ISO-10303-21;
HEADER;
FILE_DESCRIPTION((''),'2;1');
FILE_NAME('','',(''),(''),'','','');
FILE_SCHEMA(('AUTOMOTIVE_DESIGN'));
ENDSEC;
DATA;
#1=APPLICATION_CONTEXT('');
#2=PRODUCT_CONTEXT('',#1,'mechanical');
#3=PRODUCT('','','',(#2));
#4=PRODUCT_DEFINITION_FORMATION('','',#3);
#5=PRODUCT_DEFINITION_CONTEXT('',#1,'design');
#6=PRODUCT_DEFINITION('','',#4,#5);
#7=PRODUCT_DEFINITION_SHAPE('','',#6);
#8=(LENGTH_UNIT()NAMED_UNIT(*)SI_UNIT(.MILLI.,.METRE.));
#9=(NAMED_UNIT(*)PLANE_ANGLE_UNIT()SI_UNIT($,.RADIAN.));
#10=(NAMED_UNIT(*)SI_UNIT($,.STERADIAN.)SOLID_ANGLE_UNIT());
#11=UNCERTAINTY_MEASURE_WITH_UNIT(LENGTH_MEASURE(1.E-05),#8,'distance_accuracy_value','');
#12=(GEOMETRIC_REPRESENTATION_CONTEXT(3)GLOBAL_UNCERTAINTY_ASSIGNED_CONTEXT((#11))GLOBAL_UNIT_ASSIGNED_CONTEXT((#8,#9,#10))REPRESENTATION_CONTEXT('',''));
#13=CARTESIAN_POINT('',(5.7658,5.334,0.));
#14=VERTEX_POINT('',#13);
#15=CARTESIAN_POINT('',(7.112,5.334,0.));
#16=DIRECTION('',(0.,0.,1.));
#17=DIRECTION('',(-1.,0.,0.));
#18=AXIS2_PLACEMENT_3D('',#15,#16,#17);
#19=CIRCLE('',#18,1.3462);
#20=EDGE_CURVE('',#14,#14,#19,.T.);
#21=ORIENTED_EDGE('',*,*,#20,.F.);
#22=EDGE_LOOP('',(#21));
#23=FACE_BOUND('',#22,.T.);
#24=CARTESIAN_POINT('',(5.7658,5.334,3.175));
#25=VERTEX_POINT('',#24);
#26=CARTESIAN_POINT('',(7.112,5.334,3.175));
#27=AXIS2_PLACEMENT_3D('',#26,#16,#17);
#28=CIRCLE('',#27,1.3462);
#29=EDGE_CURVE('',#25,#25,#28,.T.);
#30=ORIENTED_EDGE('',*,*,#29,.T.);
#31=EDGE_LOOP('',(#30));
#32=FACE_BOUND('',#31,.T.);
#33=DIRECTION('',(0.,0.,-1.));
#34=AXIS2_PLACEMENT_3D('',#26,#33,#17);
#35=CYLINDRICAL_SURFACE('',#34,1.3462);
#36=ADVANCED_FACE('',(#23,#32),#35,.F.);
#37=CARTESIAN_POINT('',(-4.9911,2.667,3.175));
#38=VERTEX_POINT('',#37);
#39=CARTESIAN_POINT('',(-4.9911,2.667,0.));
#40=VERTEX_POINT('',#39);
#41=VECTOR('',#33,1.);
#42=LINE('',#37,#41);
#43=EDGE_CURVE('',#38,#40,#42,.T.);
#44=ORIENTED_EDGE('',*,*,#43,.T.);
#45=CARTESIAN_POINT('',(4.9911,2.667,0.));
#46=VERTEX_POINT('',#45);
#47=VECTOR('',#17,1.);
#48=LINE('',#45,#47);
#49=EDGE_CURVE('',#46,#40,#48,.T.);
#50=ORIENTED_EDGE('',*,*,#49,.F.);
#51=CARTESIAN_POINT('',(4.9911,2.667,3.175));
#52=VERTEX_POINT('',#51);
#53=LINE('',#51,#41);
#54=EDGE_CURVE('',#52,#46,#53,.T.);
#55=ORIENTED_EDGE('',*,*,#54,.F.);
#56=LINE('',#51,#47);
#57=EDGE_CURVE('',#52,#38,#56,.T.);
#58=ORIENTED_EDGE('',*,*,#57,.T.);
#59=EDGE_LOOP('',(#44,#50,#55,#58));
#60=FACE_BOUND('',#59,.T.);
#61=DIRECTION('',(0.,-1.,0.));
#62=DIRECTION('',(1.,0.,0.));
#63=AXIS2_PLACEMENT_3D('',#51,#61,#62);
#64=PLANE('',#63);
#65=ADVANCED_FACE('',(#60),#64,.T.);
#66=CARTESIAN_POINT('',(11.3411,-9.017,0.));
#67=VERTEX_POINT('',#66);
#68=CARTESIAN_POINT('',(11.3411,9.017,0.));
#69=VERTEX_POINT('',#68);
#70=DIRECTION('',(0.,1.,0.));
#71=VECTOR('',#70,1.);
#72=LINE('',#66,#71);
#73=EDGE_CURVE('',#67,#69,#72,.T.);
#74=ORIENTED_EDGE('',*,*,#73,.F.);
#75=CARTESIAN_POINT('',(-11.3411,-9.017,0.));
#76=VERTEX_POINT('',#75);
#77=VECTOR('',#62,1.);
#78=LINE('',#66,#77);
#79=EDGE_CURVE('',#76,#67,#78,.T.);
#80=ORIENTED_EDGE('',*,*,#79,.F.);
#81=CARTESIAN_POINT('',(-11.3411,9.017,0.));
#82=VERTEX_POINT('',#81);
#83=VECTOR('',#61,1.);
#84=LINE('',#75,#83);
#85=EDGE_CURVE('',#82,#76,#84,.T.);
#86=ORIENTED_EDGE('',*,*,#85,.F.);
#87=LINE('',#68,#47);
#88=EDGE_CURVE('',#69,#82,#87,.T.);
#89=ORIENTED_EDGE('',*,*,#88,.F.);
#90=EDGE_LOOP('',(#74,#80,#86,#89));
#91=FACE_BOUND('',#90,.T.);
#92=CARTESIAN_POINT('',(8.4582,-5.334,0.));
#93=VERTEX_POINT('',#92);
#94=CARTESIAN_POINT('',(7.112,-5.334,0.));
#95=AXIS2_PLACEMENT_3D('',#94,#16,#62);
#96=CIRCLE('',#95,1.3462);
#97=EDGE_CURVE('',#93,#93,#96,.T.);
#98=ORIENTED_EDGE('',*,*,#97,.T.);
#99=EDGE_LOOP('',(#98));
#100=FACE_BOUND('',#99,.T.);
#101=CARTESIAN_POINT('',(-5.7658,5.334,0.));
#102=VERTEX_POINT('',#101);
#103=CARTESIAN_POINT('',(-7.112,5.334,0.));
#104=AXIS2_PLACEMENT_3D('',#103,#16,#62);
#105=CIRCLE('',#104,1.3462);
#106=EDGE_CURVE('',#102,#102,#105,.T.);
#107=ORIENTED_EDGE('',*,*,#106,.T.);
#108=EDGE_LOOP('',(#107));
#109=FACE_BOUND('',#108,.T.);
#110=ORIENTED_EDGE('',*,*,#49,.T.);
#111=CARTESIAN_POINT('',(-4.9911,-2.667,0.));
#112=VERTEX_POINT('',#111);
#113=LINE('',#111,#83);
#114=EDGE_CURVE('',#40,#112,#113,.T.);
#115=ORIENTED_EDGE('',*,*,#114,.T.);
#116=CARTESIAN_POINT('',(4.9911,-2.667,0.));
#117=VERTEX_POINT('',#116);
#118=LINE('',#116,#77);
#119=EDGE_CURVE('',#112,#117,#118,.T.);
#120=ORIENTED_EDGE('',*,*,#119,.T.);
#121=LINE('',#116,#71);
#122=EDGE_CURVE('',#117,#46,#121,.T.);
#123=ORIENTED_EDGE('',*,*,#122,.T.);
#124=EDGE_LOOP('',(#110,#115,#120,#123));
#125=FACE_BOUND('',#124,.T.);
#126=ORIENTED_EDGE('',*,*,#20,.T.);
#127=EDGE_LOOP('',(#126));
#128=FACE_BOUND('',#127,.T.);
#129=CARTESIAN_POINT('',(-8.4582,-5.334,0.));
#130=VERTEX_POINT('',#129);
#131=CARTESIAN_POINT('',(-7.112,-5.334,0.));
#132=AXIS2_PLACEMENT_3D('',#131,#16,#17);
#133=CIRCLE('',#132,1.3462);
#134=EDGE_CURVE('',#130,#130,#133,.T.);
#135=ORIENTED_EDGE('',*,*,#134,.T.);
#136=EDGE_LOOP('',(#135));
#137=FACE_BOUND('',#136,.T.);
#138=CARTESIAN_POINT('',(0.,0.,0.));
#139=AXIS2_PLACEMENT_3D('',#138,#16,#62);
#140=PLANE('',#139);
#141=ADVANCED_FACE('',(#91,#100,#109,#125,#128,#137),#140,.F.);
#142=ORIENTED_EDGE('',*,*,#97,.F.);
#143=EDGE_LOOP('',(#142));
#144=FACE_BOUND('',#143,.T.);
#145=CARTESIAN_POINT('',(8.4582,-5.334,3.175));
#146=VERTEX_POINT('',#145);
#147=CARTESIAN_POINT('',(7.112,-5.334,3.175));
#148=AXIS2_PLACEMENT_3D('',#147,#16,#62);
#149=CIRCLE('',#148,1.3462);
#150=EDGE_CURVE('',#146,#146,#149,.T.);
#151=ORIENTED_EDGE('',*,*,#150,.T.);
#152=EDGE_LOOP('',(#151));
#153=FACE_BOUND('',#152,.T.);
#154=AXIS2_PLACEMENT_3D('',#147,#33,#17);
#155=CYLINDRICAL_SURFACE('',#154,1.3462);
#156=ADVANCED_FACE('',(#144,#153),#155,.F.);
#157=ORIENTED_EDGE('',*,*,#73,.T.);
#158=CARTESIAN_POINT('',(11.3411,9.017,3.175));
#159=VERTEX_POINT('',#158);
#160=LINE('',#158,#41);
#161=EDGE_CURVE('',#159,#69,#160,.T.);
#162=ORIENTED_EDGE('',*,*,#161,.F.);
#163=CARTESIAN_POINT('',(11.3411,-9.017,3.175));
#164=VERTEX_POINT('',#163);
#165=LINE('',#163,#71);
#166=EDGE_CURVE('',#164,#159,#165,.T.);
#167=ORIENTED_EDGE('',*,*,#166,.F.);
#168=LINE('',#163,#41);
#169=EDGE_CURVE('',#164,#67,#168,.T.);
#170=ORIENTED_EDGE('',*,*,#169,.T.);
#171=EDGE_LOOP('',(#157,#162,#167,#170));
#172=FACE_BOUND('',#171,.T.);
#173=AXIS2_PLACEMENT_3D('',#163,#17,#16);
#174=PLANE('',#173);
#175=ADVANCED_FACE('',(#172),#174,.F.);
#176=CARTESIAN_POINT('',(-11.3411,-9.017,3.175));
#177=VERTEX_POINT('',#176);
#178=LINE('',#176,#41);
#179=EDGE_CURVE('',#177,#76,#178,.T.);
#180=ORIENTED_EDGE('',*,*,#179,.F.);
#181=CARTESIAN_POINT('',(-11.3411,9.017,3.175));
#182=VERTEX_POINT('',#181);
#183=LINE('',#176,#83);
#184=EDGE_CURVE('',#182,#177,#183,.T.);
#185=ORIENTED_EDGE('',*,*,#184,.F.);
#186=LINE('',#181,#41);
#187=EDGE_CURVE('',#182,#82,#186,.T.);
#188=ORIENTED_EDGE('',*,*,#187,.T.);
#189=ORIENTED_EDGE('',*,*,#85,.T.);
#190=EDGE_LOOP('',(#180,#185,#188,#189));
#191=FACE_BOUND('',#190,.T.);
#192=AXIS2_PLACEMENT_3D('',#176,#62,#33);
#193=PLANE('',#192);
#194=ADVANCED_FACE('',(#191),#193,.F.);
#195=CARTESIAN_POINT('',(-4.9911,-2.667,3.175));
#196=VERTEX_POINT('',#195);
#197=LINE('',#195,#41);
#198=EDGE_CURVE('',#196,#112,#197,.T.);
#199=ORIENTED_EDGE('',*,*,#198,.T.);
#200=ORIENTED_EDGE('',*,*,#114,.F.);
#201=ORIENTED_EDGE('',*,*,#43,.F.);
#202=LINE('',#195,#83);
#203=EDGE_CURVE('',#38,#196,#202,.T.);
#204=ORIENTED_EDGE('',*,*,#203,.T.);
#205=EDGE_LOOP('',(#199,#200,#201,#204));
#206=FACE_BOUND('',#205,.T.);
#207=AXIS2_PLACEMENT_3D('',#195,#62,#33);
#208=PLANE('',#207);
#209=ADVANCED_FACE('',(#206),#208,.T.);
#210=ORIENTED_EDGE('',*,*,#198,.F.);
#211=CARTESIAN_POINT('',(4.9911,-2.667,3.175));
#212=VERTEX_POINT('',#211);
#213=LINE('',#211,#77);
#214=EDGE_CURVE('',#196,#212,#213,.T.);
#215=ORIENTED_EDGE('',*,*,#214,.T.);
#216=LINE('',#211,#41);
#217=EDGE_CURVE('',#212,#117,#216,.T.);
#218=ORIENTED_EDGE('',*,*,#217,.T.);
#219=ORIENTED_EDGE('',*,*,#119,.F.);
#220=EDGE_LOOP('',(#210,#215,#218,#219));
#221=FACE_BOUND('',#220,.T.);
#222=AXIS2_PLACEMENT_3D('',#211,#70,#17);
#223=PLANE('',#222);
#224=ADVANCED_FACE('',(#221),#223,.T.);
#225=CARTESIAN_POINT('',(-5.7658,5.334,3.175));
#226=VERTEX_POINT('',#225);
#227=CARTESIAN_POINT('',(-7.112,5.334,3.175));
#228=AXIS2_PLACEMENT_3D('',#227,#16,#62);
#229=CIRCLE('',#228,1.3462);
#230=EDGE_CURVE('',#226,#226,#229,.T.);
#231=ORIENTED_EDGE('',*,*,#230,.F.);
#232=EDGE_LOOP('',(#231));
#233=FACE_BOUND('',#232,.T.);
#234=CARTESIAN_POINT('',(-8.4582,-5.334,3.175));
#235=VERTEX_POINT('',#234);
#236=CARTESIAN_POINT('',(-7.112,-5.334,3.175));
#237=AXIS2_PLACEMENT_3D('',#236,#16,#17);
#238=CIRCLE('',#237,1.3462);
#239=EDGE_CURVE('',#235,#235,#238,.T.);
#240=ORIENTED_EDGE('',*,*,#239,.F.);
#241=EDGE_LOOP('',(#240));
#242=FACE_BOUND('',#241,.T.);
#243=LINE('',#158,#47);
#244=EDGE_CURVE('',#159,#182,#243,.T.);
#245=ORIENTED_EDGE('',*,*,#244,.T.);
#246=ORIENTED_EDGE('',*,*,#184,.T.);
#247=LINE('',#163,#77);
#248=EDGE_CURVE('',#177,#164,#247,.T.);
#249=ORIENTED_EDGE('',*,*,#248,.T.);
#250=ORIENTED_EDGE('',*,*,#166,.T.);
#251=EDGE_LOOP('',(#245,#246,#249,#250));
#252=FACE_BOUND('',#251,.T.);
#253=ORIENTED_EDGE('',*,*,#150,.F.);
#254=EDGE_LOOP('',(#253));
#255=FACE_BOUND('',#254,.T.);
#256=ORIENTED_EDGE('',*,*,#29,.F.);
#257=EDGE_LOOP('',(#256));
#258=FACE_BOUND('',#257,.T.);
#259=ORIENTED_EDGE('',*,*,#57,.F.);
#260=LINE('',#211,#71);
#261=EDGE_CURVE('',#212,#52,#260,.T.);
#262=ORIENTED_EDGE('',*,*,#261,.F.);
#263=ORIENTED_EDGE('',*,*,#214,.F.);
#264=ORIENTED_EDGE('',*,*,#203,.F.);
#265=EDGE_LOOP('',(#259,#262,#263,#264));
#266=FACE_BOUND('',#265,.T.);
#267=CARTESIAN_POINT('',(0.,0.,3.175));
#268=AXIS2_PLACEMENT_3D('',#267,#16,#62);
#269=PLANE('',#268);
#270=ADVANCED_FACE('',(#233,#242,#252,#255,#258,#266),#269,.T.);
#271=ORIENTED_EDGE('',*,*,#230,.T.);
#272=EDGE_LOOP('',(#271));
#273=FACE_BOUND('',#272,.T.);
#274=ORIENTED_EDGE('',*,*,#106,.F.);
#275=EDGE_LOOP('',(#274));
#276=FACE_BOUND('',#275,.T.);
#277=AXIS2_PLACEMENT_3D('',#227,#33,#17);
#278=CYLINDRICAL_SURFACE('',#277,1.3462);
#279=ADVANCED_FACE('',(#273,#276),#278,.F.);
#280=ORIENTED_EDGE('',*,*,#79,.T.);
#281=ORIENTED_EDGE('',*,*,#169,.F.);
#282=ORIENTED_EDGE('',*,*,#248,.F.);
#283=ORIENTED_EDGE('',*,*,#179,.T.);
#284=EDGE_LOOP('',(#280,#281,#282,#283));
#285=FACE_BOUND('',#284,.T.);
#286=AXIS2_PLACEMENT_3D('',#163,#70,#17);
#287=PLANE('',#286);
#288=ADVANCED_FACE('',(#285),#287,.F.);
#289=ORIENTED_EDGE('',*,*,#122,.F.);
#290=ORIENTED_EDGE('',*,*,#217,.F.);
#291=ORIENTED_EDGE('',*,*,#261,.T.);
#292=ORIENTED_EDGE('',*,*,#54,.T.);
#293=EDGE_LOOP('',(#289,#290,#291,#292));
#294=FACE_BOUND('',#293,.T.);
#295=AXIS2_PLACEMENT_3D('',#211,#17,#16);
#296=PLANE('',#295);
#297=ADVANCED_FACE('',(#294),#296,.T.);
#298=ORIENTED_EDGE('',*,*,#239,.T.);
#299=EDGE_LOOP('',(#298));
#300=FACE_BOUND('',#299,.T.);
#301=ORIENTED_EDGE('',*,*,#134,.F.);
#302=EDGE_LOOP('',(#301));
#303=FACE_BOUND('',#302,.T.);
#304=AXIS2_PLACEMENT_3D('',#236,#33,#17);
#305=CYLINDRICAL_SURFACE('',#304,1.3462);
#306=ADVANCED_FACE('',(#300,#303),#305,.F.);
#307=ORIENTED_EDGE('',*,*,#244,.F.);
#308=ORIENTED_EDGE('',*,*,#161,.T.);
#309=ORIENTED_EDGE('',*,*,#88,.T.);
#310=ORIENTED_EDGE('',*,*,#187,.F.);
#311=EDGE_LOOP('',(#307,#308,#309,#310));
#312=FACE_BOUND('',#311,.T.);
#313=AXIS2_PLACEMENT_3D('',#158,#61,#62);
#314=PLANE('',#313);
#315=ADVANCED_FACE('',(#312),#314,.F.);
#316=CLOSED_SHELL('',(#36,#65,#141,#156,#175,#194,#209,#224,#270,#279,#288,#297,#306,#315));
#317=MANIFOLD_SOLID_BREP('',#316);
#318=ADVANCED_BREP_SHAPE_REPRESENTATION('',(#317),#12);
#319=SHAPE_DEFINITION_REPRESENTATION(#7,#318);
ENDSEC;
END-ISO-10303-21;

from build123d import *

# Parameters (mm, degrees)
SKETCH2_W           = 22.6822
SKETCH2_H           = 18.034
SKETCH2_R           = 1.3462
SKETCH2_W_2         = 9.9822
SKETCH2_H_2         = 5.334
BOSS_EXTRUDE1_DEPTH = 3.175


with BuildPart() as part:
    # Sketch2 → Boss-Extrude1 (new body)
    with BuildSketch(Plane.XY):
        Rectangle(SKETCH2_W, SKETCH2_H)
        with Locations((-7.112, 5.334)):
            Circle(SKETCH2_R, mode=Mode.SUBTRACT)
        with Locations(Location((7.112, 5.334, 0), (0, 0, 180))):
            Circle(SKETCH2_R, mode=Mode.SUBTRACT)
        with Locations((7.112, -5.334)):
            Circle(SKETCH2_R, mode=Mode.SUBTRACT)
        with Locations(Location((-7.112, -5.334, 0), (0, 0, 180))):
            Circle(SKETCH2_R, mode=Mode.SUBTRACT)
        Rectangle(SKETCH2_W_2, SKETCH2_H_2, mode=Mode.SUBTRACT)
    extrude(amount=BOSS_EXTRUDE1_DEPTH)


solid = part.part
